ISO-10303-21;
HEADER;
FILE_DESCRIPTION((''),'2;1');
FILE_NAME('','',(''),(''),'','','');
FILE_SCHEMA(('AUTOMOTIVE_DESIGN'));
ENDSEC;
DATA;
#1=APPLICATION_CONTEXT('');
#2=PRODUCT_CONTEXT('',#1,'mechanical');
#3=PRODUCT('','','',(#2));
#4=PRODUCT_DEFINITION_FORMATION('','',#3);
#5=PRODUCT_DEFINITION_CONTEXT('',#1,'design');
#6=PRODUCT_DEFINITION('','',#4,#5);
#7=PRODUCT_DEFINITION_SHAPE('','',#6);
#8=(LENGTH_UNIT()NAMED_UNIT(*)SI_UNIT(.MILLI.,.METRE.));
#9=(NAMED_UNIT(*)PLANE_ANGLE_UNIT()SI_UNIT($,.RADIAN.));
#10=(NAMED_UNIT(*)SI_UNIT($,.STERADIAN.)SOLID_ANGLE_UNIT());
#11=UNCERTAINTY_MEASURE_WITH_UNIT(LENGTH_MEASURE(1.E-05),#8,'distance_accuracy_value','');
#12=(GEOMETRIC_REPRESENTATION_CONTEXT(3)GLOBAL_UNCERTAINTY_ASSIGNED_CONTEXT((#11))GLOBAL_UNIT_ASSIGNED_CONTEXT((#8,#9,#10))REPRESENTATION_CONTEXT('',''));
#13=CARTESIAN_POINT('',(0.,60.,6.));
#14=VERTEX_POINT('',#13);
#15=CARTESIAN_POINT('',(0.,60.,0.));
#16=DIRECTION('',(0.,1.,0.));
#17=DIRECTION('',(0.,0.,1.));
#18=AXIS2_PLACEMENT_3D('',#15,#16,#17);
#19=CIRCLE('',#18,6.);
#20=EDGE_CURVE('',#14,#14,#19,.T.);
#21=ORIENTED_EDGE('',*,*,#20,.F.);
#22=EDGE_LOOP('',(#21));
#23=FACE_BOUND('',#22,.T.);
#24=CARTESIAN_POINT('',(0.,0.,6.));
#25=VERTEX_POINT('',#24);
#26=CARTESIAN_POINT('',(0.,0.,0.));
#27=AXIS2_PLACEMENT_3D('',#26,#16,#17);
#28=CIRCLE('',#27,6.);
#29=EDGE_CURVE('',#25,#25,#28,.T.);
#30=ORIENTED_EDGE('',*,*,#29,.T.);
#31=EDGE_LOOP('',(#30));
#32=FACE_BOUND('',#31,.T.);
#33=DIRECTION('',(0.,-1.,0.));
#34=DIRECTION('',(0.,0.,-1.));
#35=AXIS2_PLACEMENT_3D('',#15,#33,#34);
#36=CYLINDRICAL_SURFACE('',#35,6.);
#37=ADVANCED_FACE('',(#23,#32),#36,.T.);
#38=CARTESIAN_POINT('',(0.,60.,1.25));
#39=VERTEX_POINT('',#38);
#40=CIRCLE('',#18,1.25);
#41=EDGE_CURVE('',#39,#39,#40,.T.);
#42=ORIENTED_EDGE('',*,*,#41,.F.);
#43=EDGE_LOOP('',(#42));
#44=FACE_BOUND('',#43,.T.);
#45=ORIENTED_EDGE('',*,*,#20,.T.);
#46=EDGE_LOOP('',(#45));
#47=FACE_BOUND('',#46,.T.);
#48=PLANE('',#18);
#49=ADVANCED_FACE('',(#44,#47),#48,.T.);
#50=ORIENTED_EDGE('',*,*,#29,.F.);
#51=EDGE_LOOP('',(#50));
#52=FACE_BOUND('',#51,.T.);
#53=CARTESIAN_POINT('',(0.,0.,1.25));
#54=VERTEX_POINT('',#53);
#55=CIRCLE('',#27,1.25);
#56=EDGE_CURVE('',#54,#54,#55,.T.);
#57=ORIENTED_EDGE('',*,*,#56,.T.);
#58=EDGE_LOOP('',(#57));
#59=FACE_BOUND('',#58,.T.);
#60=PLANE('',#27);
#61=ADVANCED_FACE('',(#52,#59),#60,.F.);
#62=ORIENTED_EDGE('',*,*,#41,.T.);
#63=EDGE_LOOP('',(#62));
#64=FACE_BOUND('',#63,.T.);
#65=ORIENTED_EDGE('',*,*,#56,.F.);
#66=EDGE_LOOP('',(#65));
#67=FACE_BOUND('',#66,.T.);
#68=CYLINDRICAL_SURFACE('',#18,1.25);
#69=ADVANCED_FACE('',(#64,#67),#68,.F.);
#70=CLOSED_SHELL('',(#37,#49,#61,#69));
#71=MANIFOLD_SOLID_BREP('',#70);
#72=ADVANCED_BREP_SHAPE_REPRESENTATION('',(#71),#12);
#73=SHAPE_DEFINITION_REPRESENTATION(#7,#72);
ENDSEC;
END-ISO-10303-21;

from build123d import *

# Parameters (mm, degrees)
SKETCH1_R               = 6
BOSS_EXTRUDE1_DEPTH     = 60
TAP_DRILL_FOR_M3_TAP1_D = 2.5


with BuildPart() as part:
    # Sketch1 → Boss-Extrude1 (new body)
    with BuildSketch(Plane(origin=(0, 0, 0), x_dir=(1, 0, 0), z_dir=(0, 1, 0))):
        with Locations(Location((0, 0, 0), (0, 0, 270))):
            Circle(SKETCH1_R)
    extrude(amount=BOSS_EXTRUDE1_DEPTH)

    # Tap Drill for M3 Tap1 (through all)
    with Locations(Plane(origin=(0, 60, 0), x_dir=(1, 0, 0), z_dir=(0, 1, 0))):
        with Locations((0, 0)):
            Hole(TAP_DRILL_FOR_M3_TAP1_D / 2)


solid = part.part
